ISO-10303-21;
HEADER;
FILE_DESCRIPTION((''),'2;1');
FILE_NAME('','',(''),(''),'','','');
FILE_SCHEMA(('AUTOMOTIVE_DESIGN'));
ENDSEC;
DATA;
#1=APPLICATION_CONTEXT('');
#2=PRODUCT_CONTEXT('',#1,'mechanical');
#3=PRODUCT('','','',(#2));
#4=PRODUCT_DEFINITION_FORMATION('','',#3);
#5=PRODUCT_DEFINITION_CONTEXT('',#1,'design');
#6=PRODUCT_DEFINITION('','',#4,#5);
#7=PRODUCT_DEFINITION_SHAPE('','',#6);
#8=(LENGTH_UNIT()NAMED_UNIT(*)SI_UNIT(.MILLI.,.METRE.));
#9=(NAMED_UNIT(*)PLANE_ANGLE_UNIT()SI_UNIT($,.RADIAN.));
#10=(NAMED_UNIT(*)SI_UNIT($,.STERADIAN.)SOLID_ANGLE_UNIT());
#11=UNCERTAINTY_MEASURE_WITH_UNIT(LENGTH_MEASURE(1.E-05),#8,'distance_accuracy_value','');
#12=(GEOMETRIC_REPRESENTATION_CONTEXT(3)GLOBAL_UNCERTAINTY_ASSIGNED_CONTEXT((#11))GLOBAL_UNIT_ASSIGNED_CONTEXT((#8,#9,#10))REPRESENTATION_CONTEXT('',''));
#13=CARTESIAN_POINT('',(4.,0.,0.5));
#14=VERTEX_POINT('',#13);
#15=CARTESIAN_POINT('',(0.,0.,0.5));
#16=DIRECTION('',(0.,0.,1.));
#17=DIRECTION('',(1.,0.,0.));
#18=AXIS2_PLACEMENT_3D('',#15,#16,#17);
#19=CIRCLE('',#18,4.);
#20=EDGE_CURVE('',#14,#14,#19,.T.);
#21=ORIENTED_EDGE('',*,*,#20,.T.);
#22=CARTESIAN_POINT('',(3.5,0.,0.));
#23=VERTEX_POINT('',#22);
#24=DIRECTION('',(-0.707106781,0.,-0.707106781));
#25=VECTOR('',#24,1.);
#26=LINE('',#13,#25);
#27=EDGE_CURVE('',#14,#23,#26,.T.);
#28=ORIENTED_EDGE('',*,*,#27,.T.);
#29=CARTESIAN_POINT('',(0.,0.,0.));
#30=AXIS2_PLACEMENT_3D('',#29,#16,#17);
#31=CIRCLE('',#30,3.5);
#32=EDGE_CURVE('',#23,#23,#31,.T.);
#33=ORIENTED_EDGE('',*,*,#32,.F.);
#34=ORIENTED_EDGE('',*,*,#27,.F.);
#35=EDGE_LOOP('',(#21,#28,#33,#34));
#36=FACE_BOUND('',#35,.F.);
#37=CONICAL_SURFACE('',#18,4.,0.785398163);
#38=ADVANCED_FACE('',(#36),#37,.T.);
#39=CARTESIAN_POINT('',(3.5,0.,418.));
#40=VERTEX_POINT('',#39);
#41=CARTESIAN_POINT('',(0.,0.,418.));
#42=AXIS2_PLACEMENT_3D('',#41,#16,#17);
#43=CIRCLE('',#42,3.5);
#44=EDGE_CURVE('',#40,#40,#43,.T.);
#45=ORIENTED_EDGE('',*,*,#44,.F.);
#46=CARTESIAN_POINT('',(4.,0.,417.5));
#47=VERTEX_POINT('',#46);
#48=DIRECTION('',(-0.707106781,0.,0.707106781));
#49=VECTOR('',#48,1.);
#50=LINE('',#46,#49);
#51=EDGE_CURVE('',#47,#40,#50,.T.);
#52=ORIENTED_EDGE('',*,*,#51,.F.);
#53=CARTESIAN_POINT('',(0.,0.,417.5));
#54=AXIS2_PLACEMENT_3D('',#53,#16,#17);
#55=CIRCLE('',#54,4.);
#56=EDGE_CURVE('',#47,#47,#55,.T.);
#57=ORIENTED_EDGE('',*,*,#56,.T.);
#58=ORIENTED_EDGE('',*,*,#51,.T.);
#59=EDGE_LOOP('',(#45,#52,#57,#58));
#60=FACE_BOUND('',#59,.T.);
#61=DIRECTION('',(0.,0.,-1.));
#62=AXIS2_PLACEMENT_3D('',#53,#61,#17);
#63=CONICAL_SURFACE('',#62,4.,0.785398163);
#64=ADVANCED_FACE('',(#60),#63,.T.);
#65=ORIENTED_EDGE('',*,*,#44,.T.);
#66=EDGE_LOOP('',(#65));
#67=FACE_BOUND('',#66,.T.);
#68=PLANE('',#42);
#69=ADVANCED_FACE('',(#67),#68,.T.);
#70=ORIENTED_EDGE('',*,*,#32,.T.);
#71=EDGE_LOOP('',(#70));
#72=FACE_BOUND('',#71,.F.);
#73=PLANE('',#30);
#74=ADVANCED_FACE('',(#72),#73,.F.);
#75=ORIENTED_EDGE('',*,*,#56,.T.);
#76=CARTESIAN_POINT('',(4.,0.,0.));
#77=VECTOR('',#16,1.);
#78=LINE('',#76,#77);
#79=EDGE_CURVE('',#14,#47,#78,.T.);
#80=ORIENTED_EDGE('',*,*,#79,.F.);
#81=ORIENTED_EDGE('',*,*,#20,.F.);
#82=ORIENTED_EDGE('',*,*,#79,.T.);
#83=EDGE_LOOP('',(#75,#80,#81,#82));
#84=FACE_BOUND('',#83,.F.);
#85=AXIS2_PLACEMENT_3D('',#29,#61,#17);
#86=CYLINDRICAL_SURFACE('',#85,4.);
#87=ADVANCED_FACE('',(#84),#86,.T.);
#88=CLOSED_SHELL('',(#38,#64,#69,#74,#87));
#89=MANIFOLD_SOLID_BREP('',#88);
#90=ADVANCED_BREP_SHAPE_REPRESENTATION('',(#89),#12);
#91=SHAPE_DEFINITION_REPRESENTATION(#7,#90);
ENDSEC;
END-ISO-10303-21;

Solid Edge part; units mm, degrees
sketch "Sketch1" plane through (0, 0, 0) normal (0, 0, 1) x (1, 0, 0)
  circle A0 centre (0, 0) radius 4
  dimension "D1" = 8
extrude "Protrusion1" add sketch "Sketch1" along normal blind 418
chamfer "Chamfer_1" distance 0.5 angle 45 2 edges at (-4, 0, 0) (-4, 0, 418)
cosmetic_thread "Thread1" size "Tr 8 x 2"
properties material "Stainless steel"
